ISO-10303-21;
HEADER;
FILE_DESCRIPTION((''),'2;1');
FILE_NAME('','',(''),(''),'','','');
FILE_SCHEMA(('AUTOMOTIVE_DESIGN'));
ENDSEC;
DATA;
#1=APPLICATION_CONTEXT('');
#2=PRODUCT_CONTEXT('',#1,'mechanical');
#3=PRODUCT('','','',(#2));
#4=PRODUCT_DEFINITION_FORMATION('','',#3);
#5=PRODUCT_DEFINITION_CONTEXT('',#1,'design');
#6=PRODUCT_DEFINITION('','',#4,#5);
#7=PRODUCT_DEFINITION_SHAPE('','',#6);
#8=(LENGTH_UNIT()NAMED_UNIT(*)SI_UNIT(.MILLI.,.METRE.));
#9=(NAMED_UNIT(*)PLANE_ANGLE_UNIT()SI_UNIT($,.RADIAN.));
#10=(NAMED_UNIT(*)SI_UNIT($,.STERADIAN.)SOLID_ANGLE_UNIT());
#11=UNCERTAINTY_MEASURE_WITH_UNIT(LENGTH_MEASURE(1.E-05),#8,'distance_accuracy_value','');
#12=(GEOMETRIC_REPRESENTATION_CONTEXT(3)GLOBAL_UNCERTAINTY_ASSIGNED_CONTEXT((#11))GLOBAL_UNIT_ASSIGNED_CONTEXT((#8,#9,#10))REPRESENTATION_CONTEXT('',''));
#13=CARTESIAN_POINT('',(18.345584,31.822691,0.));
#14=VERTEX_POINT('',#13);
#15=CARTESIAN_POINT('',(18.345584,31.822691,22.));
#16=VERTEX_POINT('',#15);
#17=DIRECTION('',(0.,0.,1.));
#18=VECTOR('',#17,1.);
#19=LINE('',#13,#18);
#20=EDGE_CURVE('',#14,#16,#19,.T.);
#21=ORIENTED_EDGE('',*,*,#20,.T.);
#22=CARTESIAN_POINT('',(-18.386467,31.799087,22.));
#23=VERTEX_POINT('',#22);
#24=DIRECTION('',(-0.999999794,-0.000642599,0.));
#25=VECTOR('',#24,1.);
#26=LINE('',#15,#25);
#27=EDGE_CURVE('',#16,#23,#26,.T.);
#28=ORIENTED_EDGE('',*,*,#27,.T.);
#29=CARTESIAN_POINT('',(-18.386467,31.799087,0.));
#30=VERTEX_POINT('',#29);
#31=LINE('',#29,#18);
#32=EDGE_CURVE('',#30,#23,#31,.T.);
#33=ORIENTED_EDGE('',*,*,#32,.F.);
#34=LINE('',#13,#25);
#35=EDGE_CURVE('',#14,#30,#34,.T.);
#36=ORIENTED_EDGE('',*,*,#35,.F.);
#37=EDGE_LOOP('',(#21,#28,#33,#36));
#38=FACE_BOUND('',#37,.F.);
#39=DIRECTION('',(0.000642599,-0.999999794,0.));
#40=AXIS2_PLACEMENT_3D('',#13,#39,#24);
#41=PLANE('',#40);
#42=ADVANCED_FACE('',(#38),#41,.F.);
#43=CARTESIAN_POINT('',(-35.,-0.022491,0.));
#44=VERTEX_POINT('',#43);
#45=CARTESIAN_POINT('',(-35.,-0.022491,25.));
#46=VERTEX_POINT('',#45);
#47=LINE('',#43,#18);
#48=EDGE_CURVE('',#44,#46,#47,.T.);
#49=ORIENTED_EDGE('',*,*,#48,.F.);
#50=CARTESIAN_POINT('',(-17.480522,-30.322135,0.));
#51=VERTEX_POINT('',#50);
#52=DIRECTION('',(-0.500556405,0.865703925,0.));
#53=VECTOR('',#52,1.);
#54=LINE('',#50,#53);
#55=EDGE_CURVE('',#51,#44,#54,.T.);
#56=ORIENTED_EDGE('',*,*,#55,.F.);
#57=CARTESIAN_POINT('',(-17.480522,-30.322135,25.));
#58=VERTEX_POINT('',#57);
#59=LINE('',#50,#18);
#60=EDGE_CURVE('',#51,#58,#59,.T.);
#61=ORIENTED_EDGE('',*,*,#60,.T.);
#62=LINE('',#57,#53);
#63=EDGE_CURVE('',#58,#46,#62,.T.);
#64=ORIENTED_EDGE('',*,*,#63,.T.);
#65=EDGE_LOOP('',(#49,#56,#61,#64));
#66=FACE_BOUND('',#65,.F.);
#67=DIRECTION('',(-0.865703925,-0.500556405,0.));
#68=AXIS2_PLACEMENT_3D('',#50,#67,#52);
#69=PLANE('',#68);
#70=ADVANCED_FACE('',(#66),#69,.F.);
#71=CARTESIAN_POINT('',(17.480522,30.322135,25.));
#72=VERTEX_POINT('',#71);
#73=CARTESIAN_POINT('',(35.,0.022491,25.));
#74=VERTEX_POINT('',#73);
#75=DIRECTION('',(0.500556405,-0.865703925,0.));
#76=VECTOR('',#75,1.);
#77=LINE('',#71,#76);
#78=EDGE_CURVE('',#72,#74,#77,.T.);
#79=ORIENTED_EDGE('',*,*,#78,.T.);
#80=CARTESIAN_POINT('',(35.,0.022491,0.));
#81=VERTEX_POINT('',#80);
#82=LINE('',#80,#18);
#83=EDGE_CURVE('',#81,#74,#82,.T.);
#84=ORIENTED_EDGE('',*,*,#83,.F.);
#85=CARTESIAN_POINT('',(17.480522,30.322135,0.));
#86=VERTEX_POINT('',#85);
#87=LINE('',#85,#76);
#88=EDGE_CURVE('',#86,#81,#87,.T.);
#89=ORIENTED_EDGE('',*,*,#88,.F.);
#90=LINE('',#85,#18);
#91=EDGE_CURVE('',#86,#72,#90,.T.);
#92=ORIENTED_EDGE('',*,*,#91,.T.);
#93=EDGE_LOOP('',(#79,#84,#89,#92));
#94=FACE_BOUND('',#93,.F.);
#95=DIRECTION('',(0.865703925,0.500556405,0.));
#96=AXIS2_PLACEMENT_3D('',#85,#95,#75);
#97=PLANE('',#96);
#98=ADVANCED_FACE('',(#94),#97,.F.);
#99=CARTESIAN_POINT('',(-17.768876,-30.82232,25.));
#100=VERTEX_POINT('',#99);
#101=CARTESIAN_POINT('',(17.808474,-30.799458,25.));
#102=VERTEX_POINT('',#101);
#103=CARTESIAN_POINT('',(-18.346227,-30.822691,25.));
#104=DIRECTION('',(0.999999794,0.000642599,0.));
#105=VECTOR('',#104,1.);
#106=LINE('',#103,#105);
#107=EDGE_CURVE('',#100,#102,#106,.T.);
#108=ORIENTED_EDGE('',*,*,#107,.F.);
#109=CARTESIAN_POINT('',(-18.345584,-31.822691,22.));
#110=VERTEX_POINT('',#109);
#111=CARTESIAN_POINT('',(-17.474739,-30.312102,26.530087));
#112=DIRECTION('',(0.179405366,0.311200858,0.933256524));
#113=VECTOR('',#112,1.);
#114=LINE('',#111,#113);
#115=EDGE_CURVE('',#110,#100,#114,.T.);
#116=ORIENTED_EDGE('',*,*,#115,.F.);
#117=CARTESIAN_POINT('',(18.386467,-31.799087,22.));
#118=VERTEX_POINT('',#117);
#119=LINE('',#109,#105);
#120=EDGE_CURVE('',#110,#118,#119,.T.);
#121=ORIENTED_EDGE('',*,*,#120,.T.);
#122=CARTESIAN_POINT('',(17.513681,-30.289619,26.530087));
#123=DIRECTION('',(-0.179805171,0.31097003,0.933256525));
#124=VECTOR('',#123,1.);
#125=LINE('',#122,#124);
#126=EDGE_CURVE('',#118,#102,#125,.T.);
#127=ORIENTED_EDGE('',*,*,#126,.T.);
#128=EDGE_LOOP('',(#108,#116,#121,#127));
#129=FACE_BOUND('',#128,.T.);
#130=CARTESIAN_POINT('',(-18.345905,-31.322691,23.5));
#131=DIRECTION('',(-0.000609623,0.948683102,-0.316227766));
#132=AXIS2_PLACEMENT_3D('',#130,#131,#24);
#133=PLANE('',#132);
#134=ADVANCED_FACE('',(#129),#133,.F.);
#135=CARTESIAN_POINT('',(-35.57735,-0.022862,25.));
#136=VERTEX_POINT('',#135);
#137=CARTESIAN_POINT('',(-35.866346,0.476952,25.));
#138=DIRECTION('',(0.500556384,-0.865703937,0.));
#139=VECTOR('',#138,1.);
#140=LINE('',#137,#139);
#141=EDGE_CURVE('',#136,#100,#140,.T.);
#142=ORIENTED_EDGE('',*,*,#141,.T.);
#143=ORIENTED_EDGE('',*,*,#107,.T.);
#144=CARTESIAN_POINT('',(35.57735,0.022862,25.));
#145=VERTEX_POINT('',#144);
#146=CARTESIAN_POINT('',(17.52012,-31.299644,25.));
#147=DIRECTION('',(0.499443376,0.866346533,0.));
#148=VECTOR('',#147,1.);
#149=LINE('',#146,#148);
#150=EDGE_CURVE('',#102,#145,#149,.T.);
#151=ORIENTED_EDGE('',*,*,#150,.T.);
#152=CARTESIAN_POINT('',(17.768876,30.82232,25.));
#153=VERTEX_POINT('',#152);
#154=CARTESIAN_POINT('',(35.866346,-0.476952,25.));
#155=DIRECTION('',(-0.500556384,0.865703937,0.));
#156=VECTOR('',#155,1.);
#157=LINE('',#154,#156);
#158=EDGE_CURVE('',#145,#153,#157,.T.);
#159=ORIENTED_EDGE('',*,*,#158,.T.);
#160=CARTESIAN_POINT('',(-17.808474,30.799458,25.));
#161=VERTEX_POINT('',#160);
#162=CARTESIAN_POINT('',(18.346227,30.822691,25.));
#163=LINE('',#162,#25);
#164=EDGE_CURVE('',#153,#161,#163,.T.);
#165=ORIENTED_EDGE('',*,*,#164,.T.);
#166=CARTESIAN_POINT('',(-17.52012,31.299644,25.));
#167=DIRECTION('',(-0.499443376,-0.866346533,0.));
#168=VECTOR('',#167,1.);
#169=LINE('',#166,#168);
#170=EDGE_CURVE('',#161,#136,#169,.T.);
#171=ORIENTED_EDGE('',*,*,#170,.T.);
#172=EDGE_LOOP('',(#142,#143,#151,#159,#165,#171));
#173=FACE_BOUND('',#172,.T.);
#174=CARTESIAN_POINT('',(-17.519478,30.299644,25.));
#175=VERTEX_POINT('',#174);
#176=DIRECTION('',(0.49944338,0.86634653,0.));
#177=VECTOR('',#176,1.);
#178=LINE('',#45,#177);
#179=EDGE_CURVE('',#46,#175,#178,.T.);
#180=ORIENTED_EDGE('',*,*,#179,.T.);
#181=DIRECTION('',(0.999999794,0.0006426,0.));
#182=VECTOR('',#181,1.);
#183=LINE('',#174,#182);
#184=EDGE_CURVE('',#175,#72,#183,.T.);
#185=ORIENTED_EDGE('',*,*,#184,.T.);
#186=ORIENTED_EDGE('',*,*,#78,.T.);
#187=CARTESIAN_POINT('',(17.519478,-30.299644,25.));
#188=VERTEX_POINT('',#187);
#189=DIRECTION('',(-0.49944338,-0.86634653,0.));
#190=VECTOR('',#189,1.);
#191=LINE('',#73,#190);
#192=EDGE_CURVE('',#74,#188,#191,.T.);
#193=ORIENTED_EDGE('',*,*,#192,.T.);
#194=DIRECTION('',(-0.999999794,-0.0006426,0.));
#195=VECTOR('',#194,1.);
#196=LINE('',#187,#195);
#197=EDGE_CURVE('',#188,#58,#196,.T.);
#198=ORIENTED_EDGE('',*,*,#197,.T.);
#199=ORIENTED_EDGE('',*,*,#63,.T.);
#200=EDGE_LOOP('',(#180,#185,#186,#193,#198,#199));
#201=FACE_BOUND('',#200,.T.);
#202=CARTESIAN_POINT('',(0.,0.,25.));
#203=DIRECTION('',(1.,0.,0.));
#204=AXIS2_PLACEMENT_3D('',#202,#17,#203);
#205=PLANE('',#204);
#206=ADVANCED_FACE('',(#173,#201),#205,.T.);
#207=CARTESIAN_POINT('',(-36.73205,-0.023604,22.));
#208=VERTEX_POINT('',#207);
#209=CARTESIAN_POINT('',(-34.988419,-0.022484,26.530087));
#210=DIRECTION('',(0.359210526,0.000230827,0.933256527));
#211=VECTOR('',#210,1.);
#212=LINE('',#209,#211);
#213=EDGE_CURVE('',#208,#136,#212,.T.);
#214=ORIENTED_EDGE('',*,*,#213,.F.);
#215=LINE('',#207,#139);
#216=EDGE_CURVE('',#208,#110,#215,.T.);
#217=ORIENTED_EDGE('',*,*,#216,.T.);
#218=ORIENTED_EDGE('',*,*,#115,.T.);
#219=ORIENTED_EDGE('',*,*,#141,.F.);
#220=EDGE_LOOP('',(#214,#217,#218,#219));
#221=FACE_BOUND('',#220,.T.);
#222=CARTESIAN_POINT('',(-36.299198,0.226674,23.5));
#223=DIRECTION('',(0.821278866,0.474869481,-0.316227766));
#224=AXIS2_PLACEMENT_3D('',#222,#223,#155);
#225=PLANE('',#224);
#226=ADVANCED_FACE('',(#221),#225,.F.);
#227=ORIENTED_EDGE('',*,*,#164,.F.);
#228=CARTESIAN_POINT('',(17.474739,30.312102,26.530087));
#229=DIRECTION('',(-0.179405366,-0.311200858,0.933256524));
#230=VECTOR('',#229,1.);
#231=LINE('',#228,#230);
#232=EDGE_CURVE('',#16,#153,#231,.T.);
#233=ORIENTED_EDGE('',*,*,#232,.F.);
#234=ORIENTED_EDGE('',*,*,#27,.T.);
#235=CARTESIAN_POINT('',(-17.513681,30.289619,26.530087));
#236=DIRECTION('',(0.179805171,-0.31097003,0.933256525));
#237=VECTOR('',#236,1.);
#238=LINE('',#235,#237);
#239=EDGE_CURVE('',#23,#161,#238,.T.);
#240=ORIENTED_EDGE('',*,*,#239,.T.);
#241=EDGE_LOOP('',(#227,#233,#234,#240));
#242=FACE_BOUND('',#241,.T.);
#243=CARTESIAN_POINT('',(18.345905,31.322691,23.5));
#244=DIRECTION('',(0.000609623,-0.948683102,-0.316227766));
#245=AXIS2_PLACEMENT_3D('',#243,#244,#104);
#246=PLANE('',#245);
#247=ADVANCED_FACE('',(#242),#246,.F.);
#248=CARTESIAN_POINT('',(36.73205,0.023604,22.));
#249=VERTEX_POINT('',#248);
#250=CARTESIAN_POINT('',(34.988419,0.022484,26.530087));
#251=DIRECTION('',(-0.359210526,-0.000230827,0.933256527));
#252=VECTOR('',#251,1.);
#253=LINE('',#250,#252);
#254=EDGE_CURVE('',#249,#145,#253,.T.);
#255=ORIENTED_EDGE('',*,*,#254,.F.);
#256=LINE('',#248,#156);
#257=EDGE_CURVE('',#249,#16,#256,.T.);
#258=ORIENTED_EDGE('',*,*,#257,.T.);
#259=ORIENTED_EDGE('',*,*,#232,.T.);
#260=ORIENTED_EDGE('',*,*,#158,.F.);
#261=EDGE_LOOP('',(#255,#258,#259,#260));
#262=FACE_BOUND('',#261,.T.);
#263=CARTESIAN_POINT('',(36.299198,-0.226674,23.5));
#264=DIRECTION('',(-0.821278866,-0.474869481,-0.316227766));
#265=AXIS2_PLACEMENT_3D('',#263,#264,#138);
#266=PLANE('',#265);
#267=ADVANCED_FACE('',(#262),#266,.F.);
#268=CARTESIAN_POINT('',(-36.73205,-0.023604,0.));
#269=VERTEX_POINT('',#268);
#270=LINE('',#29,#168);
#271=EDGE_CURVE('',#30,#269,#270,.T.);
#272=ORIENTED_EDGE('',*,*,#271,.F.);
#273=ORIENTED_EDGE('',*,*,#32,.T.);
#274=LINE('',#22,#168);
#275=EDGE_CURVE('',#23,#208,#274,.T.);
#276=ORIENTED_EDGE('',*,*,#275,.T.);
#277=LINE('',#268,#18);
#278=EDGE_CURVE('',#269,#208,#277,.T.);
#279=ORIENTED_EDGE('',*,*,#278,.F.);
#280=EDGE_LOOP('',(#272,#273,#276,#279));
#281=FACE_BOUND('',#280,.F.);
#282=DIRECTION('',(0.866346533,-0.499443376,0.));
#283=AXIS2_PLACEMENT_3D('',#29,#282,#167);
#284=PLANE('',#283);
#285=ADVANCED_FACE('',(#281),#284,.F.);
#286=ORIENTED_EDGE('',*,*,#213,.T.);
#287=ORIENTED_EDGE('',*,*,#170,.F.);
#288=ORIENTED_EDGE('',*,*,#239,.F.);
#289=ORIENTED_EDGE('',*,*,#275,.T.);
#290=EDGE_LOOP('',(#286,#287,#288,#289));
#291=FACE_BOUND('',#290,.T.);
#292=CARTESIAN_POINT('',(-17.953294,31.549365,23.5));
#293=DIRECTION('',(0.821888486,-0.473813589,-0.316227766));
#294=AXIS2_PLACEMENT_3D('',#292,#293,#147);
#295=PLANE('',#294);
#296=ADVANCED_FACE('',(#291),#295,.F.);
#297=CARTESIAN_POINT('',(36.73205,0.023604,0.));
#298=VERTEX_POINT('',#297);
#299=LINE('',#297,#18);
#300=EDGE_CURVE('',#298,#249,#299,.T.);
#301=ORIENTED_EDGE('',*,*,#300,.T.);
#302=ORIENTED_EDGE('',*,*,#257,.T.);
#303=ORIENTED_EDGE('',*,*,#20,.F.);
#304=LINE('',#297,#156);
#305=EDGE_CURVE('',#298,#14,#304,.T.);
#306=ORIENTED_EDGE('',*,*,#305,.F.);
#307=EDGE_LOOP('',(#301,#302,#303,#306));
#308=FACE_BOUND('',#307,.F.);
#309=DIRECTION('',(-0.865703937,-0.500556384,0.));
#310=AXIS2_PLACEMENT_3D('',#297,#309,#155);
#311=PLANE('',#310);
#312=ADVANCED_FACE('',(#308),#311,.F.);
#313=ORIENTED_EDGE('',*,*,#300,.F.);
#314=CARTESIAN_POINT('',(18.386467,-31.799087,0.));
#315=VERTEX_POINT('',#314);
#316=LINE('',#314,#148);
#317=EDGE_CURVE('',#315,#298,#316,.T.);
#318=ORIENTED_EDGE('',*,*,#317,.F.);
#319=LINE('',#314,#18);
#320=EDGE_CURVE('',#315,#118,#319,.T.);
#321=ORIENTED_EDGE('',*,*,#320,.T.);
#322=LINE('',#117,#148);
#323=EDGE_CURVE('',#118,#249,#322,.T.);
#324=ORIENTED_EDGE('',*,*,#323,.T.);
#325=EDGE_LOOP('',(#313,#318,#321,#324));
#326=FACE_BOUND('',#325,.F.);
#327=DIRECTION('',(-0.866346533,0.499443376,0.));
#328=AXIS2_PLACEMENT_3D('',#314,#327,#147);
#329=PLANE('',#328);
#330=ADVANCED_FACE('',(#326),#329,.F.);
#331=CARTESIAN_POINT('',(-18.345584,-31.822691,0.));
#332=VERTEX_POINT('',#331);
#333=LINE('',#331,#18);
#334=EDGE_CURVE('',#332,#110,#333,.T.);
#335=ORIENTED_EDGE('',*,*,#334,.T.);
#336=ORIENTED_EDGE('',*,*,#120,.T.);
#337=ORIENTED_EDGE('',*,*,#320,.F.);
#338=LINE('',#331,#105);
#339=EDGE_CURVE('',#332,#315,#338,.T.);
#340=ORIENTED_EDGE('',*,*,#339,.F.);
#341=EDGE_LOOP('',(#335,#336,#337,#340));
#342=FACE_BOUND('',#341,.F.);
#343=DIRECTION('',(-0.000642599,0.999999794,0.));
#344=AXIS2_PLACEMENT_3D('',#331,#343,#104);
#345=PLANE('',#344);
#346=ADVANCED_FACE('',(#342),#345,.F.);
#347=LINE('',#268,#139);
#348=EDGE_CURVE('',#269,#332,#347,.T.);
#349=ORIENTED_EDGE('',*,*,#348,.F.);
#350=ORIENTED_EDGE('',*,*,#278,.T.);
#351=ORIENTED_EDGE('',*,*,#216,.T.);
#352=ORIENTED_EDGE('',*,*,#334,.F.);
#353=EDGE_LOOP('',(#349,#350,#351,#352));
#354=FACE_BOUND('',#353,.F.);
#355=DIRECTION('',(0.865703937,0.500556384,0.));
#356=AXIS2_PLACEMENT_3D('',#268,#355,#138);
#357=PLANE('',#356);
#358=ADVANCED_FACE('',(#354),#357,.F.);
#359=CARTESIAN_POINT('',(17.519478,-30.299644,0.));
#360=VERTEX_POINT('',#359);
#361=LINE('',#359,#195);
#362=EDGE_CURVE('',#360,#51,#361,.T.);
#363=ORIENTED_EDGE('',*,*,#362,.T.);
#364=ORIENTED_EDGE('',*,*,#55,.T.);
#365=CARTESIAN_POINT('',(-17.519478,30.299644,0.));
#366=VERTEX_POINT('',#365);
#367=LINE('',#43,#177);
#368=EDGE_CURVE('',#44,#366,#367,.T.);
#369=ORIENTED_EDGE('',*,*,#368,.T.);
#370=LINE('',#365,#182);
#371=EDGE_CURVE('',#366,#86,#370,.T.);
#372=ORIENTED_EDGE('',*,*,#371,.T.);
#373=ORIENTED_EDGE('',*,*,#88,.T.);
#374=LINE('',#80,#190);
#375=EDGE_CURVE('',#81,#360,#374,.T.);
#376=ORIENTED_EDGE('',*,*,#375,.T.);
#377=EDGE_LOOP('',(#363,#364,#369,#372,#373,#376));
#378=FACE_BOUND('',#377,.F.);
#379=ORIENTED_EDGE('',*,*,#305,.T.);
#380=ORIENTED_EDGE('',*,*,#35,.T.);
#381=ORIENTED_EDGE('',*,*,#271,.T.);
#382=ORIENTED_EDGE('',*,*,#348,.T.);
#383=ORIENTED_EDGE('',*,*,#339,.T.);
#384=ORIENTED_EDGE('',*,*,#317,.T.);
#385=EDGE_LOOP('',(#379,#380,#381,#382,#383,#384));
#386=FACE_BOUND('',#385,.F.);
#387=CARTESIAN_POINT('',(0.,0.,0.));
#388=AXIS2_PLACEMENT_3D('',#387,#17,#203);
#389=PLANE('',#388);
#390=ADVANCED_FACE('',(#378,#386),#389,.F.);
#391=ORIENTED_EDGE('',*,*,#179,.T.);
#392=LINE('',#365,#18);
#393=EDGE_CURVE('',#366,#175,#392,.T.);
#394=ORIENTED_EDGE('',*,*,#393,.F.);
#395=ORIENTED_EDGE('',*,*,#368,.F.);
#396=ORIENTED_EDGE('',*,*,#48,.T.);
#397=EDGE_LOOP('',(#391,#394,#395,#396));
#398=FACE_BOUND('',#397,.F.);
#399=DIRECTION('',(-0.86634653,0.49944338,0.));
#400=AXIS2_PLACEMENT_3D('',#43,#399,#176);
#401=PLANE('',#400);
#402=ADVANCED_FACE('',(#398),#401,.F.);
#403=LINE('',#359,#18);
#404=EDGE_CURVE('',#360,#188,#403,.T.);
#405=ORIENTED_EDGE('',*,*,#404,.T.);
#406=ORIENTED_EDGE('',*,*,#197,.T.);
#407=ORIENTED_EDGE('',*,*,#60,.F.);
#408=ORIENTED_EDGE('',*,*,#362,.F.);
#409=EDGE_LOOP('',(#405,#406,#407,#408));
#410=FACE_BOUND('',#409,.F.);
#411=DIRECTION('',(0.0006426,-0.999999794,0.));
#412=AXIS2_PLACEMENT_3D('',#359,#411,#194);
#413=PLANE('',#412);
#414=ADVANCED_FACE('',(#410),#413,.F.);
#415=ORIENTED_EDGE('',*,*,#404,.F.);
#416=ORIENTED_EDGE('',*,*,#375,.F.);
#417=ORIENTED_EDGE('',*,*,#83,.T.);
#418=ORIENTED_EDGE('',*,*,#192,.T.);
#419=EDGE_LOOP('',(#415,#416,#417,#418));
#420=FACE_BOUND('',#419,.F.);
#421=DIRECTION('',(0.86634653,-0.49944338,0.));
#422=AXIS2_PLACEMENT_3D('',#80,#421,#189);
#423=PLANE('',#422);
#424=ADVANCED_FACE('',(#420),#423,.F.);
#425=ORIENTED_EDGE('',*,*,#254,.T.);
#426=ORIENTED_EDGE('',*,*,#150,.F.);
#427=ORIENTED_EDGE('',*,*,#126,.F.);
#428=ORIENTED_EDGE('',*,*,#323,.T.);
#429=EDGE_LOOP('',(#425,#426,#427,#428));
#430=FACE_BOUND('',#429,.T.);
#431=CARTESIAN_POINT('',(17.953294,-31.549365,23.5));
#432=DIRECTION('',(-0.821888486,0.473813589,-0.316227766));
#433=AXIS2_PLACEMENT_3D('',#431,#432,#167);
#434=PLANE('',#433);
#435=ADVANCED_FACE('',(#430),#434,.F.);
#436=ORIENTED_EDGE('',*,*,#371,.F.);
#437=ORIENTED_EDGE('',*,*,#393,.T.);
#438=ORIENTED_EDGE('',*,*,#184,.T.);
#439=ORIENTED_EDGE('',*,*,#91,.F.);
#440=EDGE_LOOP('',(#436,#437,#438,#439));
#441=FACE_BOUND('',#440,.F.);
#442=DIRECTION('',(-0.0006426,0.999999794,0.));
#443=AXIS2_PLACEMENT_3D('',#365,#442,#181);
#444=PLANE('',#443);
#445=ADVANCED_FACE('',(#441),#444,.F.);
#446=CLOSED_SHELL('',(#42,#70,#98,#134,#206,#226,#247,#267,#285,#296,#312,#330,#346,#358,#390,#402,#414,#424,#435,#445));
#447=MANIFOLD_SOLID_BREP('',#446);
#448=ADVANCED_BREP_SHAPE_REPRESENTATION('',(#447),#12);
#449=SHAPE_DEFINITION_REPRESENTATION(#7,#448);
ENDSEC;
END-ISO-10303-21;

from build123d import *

# Parameters (mm, degrees)
F1_DEPTH = 25
F2_SIZE2 = 1
F2_SIZE  = 3


with BuildPart() as f1:
    # F0 (on Top) → F1 (new body)
    with BuildSketch(Plane.XY):
        Polygon((-36.73205, -0.023604), (-18.345584, -31.822691), (18.386467, -31.799087), (36.73205, 0.023604), (18.345584, 31.822691), (-18.386467, 31.799087), align=None)
        Polygon((-17.519478, 30.299644), (17.480522, 30.322135), (35, 0.022491), (17.519478, -30.299644), (-17.480522, -30.322135), (-35, -0.022491), align=None, mode=Mode.SUBTRACT)
    extrude(amount=F1_DEPTH)

    # F2
    f2_edges = [f1.edges().sort_by_distance(p)[0] for p in [
        (27.559259, -15.887742, 25),
        (0.020442, -31.810889, 25),
        (-27.538817, -15.923147, 25),
        (-27.559259, 15.887742, 25),
        (-0.020442, 31.810889, 25),
        (27.538817, 15.923147, 25),
    ]]
    chamfer(f2_edges, length=F2_SIZE, length2=F2_SIZE2)


solid = f1.part
